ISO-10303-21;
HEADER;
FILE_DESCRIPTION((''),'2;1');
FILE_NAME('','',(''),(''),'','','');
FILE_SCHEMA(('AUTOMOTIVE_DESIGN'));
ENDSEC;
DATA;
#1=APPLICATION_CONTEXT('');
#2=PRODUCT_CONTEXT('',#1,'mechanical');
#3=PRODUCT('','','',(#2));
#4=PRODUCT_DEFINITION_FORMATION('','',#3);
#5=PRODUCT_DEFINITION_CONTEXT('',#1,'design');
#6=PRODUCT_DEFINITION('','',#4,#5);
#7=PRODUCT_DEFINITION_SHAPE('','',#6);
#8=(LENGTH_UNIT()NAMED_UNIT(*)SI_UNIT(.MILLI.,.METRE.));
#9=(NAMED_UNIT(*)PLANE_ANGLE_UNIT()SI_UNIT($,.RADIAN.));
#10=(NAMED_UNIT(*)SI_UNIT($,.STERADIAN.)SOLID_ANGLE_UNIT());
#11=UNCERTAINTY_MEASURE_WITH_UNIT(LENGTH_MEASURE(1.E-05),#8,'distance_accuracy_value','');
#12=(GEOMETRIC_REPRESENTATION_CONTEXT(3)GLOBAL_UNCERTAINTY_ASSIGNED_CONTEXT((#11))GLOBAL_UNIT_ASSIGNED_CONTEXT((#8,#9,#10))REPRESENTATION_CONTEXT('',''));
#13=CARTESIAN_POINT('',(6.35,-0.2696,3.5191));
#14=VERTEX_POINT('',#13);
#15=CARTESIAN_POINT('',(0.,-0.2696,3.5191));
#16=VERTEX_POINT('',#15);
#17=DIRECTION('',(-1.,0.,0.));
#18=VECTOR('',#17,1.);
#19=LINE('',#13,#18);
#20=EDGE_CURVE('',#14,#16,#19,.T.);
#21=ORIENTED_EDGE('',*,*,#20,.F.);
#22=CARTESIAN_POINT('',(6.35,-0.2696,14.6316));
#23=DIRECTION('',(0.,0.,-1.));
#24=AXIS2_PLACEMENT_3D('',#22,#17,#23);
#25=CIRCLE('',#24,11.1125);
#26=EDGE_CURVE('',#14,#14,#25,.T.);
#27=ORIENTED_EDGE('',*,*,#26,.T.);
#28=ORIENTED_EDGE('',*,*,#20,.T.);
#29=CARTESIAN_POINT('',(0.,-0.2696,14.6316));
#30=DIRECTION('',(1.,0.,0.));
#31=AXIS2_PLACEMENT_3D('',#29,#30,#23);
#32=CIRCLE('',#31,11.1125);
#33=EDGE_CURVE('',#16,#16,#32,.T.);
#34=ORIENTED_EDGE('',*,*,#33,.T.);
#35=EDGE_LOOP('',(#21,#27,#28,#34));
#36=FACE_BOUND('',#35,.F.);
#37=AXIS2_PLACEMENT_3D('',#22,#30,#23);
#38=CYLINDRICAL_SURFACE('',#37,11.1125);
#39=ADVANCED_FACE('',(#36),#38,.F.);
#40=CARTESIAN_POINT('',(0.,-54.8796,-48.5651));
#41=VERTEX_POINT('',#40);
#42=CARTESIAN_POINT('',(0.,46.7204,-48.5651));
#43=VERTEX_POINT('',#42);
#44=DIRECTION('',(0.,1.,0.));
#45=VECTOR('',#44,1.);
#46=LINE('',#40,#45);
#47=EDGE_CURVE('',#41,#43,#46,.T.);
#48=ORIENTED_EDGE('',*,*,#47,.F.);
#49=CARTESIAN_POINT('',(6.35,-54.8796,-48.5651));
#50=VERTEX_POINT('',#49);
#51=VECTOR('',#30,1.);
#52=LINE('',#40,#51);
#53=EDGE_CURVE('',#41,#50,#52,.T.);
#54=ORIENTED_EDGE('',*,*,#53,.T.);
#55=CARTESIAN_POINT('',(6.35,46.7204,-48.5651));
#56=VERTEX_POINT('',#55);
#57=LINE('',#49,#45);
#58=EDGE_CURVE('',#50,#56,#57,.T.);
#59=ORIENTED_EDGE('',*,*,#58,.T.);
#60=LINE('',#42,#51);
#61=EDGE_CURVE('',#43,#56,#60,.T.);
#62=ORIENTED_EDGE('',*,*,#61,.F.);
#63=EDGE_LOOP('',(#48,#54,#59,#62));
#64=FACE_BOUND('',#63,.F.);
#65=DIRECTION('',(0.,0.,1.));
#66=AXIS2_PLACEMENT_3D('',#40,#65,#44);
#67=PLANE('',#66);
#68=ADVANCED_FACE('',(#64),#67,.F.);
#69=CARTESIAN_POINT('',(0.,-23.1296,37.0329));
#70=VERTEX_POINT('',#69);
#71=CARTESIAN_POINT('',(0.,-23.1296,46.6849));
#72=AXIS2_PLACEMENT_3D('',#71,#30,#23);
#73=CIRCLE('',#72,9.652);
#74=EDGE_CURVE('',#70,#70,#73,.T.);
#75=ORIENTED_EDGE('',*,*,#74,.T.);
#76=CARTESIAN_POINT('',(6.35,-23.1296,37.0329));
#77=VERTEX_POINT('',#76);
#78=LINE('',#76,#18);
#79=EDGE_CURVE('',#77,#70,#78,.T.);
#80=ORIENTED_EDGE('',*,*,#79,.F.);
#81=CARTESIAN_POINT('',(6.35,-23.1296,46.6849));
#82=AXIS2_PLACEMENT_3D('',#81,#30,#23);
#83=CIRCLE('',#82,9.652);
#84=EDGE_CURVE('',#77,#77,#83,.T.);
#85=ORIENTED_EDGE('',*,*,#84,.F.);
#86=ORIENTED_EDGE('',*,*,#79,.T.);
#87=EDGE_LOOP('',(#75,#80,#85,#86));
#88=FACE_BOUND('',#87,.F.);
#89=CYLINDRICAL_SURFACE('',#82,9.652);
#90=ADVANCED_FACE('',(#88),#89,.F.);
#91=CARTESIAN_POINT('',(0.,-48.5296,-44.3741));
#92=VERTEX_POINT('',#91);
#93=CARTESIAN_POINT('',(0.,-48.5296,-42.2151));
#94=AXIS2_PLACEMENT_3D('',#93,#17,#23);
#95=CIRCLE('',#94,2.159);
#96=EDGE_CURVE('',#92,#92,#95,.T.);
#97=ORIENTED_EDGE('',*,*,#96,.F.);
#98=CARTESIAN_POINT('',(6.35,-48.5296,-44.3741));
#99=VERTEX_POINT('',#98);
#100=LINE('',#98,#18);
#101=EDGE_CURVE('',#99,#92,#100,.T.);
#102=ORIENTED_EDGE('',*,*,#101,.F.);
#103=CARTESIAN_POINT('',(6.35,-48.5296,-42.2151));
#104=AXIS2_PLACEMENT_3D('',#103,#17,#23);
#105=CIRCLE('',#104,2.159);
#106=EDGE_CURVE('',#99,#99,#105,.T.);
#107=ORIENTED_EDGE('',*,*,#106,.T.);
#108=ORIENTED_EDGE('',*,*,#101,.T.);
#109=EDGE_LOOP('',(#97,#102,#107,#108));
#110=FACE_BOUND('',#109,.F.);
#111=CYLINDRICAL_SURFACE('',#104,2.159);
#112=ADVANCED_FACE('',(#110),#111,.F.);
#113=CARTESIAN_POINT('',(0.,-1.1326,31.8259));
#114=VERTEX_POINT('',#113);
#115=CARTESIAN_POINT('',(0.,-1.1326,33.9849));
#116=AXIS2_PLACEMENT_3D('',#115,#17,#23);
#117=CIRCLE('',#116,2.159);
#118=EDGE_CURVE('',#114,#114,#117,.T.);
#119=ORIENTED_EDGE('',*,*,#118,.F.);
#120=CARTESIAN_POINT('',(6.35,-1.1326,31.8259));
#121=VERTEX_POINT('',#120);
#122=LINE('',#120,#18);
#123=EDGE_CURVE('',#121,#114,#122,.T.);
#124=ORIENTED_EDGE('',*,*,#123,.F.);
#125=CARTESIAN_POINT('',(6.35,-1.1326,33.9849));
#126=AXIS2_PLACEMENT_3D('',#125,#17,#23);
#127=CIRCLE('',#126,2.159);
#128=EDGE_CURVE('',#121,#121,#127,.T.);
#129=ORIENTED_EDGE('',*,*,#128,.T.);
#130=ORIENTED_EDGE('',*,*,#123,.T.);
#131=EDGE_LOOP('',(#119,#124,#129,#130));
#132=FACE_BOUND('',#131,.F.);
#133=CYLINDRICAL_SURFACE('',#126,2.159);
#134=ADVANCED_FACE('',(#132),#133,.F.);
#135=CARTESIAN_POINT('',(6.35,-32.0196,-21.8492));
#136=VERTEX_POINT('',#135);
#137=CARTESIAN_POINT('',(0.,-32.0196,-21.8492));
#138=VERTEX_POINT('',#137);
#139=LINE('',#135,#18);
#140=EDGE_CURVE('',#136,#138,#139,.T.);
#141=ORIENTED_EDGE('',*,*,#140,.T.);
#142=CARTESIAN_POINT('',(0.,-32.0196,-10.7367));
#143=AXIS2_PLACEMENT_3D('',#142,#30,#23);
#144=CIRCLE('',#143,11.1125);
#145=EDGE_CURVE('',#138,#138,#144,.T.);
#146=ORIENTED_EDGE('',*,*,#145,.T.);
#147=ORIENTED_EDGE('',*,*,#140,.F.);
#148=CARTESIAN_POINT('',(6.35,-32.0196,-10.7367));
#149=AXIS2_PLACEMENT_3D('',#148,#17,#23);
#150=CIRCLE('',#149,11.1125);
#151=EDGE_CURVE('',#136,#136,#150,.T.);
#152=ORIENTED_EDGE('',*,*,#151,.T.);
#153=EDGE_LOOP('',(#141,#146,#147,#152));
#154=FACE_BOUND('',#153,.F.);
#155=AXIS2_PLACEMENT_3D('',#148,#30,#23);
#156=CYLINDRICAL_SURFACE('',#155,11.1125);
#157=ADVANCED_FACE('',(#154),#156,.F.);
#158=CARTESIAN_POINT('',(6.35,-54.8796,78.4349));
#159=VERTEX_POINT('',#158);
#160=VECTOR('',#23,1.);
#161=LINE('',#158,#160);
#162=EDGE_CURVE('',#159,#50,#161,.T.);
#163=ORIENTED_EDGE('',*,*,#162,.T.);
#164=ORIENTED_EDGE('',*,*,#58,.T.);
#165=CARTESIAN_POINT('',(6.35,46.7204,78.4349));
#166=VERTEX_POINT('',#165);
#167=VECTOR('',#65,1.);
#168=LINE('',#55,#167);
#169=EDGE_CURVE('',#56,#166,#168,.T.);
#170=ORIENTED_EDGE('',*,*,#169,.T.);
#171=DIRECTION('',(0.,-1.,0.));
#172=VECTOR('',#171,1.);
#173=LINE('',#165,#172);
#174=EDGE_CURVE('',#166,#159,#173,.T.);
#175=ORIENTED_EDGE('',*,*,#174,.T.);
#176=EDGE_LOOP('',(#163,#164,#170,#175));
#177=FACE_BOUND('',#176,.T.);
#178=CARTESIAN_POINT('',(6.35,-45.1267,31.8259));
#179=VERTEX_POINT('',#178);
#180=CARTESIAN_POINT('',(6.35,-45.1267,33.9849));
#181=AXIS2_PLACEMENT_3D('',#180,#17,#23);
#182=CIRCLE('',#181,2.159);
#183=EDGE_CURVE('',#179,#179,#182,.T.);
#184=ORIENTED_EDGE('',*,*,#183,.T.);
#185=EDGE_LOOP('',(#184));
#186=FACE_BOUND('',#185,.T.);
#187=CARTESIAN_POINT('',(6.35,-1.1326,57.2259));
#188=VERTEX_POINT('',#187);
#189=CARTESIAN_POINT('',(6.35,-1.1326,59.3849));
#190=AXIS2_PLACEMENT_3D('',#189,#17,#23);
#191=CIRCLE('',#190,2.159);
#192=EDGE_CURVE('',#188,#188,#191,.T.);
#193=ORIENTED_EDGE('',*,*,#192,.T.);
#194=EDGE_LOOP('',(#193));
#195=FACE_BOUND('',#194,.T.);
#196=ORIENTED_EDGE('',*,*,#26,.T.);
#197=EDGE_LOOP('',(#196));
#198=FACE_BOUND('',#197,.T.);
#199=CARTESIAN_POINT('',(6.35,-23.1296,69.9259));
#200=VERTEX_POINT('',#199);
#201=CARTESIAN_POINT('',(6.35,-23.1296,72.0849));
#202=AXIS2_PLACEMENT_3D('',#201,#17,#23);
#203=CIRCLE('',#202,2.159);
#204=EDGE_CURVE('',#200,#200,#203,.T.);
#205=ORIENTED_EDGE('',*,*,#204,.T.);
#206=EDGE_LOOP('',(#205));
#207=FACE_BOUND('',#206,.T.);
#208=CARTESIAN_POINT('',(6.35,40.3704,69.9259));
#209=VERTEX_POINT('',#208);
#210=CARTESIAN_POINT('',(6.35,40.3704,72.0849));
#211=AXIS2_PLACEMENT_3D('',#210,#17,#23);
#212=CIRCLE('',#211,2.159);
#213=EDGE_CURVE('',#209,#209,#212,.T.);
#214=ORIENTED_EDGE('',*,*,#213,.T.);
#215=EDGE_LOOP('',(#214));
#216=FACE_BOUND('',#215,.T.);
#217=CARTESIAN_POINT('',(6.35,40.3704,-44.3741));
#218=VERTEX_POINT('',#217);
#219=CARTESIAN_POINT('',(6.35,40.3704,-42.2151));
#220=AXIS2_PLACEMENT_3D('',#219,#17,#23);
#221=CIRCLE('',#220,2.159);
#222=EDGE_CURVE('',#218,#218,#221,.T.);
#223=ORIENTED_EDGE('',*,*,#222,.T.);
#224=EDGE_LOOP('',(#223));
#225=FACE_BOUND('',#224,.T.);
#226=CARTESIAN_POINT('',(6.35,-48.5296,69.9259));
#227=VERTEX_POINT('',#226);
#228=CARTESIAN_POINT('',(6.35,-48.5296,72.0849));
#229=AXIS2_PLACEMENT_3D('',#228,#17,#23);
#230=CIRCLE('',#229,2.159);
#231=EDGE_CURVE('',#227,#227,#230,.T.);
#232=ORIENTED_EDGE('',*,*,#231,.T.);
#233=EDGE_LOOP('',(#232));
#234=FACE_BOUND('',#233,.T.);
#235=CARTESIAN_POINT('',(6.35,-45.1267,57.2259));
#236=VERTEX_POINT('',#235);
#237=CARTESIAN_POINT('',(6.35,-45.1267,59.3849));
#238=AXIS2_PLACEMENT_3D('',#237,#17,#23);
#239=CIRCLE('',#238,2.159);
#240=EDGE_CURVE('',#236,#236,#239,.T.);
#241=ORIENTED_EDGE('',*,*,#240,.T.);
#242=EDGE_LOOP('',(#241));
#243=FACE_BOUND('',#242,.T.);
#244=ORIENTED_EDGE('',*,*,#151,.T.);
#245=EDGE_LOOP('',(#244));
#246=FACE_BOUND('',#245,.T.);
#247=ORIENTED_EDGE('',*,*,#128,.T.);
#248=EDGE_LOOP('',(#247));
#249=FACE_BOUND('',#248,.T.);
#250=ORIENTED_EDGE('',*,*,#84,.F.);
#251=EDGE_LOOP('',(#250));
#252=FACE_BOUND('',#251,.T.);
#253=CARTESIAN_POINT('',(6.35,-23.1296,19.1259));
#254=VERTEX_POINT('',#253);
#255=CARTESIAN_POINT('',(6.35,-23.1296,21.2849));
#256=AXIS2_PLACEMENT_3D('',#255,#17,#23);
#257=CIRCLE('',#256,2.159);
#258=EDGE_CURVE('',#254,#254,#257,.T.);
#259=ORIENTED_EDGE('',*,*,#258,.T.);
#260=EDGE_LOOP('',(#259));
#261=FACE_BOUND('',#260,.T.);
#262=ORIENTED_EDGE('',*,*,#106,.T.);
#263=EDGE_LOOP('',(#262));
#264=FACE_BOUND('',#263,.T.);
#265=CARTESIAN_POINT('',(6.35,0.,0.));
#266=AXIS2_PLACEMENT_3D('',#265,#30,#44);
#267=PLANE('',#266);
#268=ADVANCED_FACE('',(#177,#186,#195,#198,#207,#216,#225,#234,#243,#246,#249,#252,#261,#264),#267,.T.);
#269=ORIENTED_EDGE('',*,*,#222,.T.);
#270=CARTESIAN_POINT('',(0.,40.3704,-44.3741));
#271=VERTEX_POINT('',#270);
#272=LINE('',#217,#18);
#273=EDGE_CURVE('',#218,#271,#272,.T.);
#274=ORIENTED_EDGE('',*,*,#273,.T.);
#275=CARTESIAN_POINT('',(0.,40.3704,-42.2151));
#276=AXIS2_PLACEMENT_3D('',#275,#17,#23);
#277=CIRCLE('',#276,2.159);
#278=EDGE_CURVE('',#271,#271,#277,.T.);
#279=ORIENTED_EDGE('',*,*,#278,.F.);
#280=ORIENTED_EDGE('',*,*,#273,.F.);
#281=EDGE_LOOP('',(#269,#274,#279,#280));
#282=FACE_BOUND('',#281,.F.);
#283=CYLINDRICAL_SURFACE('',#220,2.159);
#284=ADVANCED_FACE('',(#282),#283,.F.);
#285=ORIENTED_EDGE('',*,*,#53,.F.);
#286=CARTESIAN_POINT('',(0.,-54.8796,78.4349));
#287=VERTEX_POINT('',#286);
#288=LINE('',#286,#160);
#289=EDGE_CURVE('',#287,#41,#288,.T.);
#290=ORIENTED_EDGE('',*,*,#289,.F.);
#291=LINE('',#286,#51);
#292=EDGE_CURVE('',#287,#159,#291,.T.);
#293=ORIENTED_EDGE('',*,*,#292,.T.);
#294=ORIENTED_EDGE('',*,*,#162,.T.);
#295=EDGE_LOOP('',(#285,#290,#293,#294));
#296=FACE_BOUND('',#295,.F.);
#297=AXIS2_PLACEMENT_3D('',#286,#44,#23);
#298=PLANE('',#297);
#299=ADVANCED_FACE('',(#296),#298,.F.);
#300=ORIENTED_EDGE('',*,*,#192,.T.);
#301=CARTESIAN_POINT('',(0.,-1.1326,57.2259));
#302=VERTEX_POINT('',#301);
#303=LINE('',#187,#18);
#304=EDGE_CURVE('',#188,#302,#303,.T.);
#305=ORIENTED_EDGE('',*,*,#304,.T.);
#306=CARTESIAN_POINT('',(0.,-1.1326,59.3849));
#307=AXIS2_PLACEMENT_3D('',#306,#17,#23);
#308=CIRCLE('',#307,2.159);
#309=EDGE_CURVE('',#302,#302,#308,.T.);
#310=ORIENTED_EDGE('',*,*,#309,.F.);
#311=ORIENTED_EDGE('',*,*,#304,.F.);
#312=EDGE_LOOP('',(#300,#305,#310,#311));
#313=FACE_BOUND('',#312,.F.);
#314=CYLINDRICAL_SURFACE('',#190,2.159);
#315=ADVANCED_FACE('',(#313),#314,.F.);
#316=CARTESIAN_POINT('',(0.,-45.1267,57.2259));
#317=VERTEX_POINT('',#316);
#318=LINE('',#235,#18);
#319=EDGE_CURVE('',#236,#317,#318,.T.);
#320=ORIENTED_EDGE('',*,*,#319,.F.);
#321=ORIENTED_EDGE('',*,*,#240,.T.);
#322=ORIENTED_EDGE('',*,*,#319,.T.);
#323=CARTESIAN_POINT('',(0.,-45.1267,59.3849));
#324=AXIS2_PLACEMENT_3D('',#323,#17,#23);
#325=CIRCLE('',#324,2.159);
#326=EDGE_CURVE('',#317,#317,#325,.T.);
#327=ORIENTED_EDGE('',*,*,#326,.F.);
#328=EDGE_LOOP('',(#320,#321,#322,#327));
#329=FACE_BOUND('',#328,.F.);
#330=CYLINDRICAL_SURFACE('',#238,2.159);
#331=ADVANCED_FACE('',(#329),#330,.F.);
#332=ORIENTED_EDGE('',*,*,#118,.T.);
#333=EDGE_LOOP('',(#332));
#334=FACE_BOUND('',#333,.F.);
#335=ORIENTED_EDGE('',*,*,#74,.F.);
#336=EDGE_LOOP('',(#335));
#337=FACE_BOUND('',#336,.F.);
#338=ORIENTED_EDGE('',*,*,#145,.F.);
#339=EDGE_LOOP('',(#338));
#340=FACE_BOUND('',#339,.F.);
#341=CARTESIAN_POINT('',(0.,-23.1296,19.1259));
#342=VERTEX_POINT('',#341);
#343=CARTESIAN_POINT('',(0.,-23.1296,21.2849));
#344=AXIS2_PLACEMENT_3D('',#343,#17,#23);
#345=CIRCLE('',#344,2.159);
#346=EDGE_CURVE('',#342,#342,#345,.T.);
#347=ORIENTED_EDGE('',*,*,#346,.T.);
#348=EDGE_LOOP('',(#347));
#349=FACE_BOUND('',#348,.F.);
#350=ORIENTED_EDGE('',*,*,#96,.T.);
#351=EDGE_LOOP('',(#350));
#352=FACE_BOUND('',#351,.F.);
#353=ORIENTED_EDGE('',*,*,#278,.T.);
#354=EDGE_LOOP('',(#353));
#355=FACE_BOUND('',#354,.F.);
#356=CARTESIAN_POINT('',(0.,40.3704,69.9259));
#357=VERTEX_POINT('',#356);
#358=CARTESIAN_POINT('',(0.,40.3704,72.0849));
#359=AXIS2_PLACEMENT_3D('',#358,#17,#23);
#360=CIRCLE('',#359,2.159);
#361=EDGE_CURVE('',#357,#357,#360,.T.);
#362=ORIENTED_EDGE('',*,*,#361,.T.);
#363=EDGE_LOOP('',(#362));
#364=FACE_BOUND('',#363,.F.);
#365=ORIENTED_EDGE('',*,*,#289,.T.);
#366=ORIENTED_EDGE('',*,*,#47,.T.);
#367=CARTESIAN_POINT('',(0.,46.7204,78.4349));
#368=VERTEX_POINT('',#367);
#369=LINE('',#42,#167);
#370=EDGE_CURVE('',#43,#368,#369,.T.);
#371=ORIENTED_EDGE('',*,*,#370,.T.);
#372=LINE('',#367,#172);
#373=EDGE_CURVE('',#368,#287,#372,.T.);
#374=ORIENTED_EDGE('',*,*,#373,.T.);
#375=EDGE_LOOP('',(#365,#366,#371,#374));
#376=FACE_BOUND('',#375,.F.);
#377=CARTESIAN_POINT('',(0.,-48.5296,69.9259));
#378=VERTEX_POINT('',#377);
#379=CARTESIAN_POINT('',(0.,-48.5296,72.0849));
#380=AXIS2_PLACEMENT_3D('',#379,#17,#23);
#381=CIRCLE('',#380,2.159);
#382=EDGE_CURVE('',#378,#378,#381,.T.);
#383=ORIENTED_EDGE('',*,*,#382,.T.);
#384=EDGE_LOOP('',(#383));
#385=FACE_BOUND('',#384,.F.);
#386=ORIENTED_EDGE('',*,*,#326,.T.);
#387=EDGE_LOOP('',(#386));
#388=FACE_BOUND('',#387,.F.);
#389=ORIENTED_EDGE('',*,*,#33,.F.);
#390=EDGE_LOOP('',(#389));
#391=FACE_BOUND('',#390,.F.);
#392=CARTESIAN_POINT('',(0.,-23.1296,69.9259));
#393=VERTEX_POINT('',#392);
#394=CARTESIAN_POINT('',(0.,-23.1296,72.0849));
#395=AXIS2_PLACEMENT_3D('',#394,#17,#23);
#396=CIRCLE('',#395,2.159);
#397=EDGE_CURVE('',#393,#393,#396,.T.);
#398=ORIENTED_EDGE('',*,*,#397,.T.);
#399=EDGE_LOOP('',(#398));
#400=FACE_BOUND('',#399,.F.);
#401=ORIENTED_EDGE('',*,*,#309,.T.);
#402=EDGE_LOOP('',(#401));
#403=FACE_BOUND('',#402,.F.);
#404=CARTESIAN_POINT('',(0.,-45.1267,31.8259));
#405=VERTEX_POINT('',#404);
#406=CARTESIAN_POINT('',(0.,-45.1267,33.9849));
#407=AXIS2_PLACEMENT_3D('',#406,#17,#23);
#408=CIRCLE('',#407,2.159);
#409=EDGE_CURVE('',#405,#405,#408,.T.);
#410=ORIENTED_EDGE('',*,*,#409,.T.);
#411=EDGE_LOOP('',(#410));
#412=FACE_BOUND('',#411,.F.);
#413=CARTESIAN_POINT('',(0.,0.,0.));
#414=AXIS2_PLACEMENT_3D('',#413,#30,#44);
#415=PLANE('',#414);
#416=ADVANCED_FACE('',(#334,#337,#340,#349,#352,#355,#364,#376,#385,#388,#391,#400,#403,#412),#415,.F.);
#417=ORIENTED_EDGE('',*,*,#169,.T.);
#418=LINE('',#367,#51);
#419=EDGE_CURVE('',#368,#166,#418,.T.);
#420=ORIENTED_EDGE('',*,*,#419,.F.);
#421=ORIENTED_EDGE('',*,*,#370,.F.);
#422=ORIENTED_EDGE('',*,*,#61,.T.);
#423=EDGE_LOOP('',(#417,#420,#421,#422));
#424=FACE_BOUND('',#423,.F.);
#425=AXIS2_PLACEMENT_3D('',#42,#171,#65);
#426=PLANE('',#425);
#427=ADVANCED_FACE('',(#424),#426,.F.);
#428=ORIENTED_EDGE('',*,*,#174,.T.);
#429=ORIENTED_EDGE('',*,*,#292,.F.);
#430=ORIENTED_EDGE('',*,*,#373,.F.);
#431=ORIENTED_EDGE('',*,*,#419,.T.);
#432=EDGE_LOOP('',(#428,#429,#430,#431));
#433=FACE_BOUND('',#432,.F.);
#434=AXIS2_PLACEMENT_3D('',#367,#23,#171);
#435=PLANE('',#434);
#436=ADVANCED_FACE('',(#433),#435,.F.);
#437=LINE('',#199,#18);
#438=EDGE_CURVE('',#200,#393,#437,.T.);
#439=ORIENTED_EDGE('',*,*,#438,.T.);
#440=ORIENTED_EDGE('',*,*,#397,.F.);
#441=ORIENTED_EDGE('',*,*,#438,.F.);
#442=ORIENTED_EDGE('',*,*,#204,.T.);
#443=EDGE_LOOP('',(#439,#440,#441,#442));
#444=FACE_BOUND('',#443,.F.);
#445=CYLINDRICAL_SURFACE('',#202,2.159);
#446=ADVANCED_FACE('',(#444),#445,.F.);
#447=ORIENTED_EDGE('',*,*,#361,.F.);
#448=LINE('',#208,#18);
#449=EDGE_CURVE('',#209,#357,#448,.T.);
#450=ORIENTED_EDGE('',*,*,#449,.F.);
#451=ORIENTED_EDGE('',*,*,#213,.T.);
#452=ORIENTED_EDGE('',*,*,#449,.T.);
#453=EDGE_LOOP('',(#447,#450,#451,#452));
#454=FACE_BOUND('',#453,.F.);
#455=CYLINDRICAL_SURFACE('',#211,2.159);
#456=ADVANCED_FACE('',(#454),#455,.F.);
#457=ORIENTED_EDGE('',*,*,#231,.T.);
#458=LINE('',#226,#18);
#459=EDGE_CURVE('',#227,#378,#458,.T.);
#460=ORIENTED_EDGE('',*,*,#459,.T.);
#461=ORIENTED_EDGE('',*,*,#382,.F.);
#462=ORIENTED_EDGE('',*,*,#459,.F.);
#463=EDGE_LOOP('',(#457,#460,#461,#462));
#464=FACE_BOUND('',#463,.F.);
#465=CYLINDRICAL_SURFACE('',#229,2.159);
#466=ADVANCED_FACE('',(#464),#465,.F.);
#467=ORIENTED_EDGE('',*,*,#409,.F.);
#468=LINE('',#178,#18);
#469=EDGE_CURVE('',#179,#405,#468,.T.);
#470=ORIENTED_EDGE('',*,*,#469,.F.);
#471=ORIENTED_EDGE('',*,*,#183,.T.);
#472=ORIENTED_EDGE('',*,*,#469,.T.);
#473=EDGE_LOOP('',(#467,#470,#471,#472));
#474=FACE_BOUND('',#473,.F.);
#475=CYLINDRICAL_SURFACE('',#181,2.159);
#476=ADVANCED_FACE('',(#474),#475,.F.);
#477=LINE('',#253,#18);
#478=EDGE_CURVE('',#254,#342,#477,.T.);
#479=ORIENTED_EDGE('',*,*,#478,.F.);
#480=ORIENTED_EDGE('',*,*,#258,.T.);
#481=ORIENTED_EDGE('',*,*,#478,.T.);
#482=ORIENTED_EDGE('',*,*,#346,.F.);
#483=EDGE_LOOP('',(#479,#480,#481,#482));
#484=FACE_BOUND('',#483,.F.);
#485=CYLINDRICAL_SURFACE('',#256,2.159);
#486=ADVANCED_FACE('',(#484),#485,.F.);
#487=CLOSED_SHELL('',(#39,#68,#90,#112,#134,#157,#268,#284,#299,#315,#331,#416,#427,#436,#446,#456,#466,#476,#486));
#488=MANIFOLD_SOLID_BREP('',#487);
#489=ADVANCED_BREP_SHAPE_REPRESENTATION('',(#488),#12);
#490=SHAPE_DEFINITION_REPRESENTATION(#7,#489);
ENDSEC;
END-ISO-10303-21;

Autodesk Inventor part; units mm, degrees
ref_plane "YZ Plane" through (0, 0, 0) normal (1, 0, 0) x (0, 1, 0)
ref_plane "XZ Plane" through (0, 0, 0) normal (0, 1, 0) x (-1, 0, 0)
ref_plane "XY Plane" through (0, 0, 0) normal (0, 0, 1) x (1, 0, 0)
sketch "Sketch1" plane through (0, 0, 0) normal (1, 0, 0) x (0, 1, 0)
  line L0 (46.7204, 78.4349) -> (-54.8796, 78.4349)
  line L1 (-54.8796, 78.4349) -> (-54.8796, -48.5651)
  line L2 (-54.8796, -48.5651) -> (46.7204, -48.5651)
  line L3 (46.7204, -48.5651) -> (46.7204, 78.4349)
  point P0 (0, 0)
  dimension "d0" = 127
  dimension "d1" = 101.6
extrude "Extrusion1" add sketch "Sketch1" along normal blind 6.35
sketch "Sketch2" plane through (6.35, 0, 0) normal (1, 0, 0) x (0, 0, -1)
  line L0 (48.5651, 46.7204) -> (-78.4349, 46.7204) projected
  line L1 (-78.4349, 46.7204) -> (-78.4349, -54.8796) projected
  line L2 (-78.4349, -54.8796) -> (48.5651, -54.8796) projected
  line L3 (48.5651, -54.8796) -> (48.5651, 46.7204) projected
  point P0 (0, 0)
  point P1 (-72.0849, 40.3704)
  point P2 (42.2151, 40.3704)
  point P3 (42.2151, -48.5296)
  point P4 (-72.0849, -48.5296)
  dimension "d4" = 0
  dimension "d5" = 0
  dimension "d6" = 0
  dimension "d7" = 0
  dimension "d8" = 6.35
  dimension "d9" = 6.35
  dimension "d10" = 6.35
  dimension "d11" = 6.35
hole "Hole1" at (6.35, 40.3704, 72.0849) at (6.35, 40.3704, -42.2151) at (6.35, -48.5296, -42.2151) at (6.35, -48.5296, 72.0849) direction (-1, 0, 0) diameter 4.318 end through all
sketch "Sketch3" plane through (6.35, 0, 0) normal (1, 0, 0) x (0, 0, -1)
  circle A0 centre (-46.6849, -23.1296) radius 9.652
  line L0 (-78.4349, -54.8796) -> (48.5651, -54.8796) projected
  line L1 (-78.4349, 46.7204) -> (-78.4349, -54.8796) projected
  point P0 (0, 0)
  dimension "d19" = 19.304
  dimension "d20" = 31.75
  dimension "d21" = 31.75
extrude "Extrusion2" cut sketch "Sketch3" against normal blind 61.9125
sketch "Sketch4" plane through (6.35, 0, 0) normal (1, 0, 0) x (0, 0, -1)
  circle A0 centre (-46.6849, -23.1296) radius 9.652 projected
  circle A1 centre (-46.6849, -23.1296) radius 9.652 projected
  circle A2 centre (-46.6849, -23.1296) radius 25.4
  line L0 (-46.6849, -23.1296) -> (-105.0514, -23.1296)
  line L1 (-46.6849, -23.1296) -> (-64.9089, 8.4353)
  line L2 (-46.6849, -23.1296) -> (-26.8908, 11.1548)
  line L3 (-46.6849, -23.1296) -> (1.7612, -23.1296)
  line L4 (-46.6849, -23.1296) -> (-29.0867, -53.6105)
  line L5 (-46.6849, -23.1296) -> (-67.8043, -59.7094)
  point P0 (0, 0)
  point P1 (-72.0849, -23.1296)
  point P2 (-21.2849, -23.1296)
  point P3 (-59.3849, -1.1326)
  point P4 (-33.9849, -1.1326)
  point P5 (-33.9849, -45.1267)
  point P6 (-59.3849, -45.1267)
  dimension "d24" = 50.8
  dimension "d25" = 60
  dimension "d26" = 60
  dimension "d27" = 60
  dimension "d28" = 60
hole "Hole2" at (6.35, -23.1296, 72.0849) at (6.35, -23.1296, 21.2849) at (6.35, -1.1326, 59.3849) at (6.35, -1.1326, 33.9849) at (6.35, -45.1267, 33.9849) at (6.35, -45.1267, 59.3849) direction (-1, 0, 0) diameter 4.318 end through all
sketch "Sketch5" plane through (6.35, 0, 0) normal (1, 0, 0) x (0, 0, -1)
  circle A0 centre (-14.6316, -0.2696) radius 11.1125
  circle A1 centre (-46.6849, -23.1296) radius 9.652 projected
  circle A2 centre (-46.6849, -23.1296) radius 39.37
  point P0 (0, 0)
  dimension "d37" = 78.74
  dimension "d36" = 22.225
  dimension "d44" = 22.86
extrude "Extrusion3" cut sketch "Sketch5" against normal blind 66.675 contours A0 A2 | A2 A0 picked at (-11.8926, 2.0476) picked at (-17.7425, -2.4882)
sketch "Sketch6" plane through (6.35, 0, 0) normal (1, 0, 0) x (0, 0, -1)
  circle A0 centre (-14.6316, -0.2696) radius 11.1125 projected
  circle A1 centre (-14.6316, -0.2696) radius 40.64
  circle A2 centre (10.7367, -32.0196) radius 11.1125
  line L0 (48.5651, 46.7204) -> (-78.4349, 46.7204) projected
  point P0 (0, 0)
  dimension "d43" = 81.28
  dimension "d40" = 22.225
  dimension "d76" = 78.74
extrude "Extrusion4" cut sketch "Sketch6" against normal blind 39.6875 contours A2 A1 | A1 A2 picked at (8.3538, -29.0373) picked at (12.8293, -34.938)
properties part number "InsideMotorPlate" material "Aluminum 6061"
